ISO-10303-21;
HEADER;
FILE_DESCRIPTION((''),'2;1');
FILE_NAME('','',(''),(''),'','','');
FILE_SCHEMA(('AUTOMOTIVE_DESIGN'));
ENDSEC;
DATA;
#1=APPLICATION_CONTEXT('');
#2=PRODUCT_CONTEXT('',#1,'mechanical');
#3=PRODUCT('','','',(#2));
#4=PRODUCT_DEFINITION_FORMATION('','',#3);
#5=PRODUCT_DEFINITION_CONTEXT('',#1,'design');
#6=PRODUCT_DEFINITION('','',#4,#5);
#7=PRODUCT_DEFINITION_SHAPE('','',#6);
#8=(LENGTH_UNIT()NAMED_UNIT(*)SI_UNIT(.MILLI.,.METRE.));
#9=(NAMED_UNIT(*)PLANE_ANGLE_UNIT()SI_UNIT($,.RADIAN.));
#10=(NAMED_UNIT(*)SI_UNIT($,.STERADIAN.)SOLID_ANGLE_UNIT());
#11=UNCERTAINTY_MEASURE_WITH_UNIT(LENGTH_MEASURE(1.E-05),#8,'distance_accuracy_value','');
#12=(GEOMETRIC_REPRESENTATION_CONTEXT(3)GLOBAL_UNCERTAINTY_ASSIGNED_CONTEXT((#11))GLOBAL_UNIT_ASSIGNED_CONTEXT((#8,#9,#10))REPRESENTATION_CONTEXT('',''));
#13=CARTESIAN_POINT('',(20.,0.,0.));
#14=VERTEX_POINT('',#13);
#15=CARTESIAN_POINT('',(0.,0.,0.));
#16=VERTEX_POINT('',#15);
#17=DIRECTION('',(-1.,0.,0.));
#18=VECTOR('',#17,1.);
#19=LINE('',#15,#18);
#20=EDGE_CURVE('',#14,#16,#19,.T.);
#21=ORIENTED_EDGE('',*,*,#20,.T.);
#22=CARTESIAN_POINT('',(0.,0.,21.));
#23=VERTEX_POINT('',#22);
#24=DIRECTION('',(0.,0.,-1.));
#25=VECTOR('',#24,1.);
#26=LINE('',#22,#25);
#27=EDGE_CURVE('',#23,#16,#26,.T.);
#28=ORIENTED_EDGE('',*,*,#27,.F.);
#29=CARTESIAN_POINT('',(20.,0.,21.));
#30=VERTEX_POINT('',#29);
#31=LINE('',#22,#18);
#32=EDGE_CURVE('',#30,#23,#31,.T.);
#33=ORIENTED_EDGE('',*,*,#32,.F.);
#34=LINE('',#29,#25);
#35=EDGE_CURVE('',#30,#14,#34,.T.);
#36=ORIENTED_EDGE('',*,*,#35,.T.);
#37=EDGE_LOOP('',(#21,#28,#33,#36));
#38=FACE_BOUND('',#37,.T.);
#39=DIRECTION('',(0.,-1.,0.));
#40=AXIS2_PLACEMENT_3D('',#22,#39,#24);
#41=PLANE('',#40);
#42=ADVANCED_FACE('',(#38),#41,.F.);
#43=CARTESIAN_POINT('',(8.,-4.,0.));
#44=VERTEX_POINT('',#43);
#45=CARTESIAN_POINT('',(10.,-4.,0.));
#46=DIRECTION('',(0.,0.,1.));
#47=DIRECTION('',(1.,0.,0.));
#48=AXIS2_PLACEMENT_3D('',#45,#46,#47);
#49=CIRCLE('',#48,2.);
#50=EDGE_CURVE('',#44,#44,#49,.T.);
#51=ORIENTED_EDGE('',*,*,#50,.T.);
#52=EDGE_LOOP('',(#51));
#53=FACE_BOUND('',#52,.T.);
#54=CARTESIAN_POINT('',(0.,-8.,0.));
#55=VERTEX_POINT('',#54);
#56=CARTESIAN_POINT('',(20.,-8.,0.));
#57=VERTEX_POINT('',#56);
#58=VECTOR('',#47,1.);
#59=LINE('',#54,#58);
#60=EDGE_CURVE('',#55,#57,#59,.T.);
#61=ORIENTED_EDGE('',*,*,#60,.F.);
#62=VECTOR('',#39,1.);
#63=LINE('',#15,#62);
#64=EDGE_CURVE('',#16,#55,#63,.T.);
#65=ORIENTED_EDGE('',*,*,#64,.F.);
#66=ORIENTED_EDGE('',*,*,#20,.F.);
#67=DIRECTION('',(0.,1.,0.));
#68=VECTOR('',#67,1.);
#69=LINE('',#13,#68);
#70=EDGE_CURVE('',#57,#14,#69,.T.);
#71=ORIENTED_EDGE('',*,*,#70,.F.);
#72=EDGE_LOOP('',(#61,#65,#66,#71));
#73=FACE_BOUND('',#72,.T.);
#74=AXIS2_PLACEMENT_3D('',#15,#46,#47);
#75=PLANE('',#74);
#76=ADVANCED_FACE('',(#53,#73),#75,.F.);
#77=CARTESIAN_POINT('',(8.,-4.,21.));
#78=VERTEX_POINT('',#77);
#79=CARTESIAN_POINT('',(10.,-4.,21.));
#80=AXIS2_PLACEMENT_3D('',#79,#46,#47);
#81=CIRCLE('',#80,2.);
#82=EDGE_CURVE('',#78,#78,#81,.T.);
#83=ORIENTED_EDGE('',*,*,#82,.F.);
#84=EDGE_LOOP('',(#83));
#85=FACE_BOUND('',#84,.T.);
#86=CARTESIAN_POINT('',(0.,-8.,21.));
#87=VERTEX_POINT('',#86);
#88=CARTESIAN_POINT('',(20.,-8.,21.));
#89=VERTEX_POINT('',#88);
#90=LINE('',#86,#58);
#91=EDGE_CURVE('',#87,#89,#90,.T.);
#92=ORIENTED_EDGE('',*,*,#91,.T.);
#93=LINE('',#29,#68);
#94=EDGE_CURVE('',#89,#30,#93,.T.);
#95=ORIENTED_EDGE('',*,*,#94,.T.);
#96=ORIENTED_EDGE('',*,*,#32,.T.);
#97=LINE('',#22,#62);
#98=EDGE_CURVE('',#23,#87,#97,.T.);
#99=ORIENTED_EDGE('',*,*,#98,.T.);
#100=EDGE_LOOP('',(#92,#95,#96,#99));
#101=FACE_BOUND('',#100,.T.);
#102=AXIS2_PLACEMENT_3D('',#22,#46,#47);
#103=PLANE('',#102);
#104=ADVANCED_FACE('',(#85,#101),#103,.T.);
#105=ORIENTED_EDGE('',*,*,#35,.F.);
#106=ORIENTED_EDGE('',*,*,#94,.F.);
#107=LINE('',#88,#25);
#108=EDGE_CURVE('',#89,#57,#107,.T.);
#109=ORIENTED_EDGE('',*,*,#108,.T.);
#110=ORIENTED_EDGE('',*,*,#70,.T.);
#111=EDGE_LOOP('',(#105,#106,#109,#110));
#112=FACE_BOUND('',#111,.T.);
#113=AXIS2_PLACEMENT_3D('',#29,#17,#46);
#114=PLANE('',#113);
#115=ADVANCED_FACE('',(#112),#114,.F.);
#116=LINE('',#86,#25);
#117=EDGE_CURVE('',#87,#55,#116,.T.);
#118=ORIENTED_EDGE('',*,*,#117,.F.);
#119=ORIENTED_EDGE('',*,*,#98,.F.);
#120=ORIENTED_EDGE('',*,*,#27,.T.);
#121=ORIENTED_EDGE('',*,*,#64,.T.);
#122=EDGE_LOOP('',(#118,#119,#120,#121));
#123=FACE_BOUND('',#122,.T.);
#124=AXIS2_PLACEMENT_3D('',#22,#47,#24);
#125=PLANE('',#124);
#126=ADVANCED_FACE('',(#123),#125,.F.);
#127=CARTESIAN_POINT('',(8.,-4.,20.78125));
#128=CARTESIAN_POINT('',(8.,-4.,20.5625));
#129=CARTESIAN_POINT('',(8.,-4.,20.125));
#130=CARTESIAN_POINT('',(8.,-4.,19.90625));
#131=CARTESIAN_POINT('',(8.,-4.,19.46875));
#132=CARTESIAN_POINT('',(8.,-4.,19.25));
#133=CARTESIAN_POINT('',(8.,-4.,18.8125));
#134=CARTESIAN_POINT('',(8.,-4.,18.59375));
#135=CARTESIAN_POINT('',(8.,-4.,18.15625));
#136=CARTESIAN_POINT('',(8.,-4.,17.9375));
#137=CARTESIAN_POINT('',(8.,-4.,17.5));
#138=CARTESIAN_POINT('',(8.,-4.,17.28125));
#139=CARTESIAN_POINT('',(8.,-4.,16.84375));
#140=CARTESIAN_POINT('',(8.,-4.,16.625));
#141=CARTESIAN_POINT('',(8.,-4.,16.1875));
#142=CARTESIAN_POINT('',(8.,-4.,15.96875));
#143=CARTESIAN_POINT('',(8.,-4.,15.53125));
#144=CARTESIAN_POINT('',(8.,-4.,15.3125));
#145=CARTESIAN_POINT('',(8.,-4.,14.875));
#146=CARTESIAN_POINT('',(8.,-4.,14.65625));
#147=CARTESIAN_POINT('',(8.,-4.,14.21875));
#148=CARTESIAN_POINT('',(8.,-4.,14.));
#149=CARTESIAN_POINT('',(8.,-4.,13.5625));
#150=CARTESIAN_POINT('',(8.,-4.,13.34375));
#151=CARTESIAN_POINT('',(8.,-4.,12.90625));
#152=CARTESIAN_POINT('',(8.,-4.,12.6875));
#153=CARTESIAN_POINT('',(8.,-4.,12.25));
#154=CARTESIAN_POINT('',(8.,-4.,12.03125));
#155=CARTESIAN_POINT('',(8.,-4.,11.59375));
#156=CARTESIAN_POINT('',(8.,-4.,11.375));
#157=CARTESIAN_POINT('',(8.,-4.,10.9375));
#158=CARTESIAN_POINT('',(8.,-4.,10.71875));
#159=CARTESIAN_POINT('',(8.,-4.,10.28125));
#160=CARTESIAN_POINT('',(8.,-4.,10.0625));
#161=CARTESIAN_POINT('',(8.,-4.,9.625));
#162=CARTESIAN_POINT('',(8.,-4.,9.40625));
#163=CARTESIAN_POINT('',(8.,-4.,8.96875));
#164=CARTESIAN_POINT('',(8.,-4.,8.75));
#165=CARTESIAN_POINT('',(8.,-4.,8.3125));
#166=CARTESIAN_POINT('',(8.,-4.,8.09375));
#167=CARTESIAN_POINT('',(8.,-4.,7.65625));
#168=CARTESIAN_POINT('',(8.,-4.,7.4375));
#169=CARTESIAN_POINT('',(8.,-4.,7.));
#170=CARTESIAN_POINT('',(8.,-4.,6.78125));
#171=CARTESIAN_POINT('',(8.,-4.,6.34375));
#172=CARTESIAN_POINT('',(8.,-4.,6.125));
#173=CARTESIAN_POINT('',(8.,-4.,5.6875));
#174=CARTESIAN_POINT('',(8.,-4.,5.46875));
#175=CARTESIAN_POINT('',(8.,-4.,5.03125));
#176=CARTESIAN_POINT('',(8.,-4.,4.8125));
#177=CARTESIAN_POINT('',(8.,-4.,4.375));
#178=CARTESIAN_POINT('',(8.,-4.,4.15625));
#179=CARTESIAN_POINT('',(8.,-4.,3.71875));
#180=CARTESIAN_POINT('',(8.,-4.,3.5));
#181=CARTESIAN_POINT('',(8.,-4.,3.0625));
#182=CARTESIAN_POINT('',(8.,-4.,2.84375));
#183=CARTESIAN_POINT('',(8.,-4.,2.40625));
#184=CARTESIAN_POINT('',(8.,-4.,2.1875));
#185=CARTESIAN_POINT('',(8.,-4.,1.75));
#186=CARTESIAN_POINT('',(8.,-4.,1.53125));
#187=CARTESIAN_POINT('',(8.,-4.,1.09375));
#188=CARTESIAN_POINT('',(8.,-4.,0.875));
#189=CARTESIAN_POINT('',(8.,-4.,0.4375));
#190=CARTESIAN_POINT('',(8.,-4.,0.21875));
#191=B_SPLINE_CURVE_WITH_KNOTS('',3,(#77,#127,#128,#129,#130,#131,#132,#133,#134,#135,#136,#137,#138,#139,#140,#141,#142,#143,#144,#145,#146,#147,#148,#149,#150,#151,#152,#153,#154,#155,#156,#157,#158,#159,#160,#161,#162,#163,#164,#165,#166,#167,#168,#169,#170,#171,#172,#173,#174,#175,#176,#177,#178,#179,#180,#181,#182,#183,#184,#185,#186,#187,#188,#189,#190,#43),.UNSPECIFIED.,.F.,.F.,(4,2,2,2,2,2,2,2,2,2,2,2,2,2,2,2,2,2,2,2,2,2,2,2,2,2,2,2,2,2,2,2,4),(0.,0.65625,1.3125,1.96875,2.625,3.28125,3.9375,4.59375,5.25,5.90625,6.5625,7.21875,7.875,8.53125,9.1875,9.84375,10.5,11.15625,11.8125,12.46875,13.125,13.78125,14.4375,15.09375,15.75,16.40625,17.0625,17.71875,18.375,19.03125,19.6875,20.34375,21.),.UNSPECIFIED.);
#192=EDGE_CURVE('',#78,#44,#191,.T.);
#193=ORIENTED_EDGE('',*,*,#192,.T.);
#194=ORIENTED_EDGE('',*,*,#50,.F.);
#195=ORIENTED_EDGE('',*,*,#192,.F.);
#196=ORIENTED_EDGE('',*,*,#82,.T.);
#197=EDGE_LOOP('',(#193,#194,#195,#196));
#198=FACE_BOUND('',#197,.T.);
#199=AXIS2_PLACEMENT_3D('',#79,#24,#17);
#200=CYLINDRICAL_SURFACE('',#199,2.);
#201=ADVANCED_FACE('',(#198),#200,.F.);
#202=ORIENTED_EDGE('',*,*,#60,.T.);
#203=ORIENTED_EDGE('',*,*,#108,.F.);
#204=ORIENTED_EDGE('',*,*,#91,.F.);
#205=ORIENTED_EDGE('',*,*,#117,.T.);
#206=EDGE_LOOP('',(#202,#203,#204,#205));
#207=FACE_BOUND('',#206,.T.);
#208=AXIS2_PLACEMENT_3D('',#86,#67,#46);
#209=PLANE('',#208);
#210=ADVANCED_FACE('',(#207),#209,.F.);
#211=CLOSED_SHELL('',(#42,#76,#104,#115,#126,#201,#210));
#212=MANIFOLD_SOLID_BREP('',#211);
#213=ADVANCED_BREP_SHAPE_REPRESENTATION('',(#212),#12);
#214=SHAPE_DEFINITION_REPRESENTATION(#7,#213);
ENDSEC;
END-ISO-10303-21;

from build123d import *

# Parameters (mm, degrees)
SKETCH1_W           = 20
SKETCH1_H           = 8
SKETCH1_R           = 2
BOSS_EXTRUDE1_DEPTH = 21


with BuildPart() as part:
    # Sketch1 → Boss-Extrude1 (new body)
    with BuildSketch(Plane.XY):
        with Locations((10, -4)):
            Rectangle(SKETCH1_W, SKETCH1_H)
        with Locations(Location((10, -4, 0), (0, 0, 180))):
            Circle(SKETCH1_R, mode=Mode.SUBTRACT)
    extrude(amount=BOSS_EXTRUDE1_DEPTH)


solid = part.part
